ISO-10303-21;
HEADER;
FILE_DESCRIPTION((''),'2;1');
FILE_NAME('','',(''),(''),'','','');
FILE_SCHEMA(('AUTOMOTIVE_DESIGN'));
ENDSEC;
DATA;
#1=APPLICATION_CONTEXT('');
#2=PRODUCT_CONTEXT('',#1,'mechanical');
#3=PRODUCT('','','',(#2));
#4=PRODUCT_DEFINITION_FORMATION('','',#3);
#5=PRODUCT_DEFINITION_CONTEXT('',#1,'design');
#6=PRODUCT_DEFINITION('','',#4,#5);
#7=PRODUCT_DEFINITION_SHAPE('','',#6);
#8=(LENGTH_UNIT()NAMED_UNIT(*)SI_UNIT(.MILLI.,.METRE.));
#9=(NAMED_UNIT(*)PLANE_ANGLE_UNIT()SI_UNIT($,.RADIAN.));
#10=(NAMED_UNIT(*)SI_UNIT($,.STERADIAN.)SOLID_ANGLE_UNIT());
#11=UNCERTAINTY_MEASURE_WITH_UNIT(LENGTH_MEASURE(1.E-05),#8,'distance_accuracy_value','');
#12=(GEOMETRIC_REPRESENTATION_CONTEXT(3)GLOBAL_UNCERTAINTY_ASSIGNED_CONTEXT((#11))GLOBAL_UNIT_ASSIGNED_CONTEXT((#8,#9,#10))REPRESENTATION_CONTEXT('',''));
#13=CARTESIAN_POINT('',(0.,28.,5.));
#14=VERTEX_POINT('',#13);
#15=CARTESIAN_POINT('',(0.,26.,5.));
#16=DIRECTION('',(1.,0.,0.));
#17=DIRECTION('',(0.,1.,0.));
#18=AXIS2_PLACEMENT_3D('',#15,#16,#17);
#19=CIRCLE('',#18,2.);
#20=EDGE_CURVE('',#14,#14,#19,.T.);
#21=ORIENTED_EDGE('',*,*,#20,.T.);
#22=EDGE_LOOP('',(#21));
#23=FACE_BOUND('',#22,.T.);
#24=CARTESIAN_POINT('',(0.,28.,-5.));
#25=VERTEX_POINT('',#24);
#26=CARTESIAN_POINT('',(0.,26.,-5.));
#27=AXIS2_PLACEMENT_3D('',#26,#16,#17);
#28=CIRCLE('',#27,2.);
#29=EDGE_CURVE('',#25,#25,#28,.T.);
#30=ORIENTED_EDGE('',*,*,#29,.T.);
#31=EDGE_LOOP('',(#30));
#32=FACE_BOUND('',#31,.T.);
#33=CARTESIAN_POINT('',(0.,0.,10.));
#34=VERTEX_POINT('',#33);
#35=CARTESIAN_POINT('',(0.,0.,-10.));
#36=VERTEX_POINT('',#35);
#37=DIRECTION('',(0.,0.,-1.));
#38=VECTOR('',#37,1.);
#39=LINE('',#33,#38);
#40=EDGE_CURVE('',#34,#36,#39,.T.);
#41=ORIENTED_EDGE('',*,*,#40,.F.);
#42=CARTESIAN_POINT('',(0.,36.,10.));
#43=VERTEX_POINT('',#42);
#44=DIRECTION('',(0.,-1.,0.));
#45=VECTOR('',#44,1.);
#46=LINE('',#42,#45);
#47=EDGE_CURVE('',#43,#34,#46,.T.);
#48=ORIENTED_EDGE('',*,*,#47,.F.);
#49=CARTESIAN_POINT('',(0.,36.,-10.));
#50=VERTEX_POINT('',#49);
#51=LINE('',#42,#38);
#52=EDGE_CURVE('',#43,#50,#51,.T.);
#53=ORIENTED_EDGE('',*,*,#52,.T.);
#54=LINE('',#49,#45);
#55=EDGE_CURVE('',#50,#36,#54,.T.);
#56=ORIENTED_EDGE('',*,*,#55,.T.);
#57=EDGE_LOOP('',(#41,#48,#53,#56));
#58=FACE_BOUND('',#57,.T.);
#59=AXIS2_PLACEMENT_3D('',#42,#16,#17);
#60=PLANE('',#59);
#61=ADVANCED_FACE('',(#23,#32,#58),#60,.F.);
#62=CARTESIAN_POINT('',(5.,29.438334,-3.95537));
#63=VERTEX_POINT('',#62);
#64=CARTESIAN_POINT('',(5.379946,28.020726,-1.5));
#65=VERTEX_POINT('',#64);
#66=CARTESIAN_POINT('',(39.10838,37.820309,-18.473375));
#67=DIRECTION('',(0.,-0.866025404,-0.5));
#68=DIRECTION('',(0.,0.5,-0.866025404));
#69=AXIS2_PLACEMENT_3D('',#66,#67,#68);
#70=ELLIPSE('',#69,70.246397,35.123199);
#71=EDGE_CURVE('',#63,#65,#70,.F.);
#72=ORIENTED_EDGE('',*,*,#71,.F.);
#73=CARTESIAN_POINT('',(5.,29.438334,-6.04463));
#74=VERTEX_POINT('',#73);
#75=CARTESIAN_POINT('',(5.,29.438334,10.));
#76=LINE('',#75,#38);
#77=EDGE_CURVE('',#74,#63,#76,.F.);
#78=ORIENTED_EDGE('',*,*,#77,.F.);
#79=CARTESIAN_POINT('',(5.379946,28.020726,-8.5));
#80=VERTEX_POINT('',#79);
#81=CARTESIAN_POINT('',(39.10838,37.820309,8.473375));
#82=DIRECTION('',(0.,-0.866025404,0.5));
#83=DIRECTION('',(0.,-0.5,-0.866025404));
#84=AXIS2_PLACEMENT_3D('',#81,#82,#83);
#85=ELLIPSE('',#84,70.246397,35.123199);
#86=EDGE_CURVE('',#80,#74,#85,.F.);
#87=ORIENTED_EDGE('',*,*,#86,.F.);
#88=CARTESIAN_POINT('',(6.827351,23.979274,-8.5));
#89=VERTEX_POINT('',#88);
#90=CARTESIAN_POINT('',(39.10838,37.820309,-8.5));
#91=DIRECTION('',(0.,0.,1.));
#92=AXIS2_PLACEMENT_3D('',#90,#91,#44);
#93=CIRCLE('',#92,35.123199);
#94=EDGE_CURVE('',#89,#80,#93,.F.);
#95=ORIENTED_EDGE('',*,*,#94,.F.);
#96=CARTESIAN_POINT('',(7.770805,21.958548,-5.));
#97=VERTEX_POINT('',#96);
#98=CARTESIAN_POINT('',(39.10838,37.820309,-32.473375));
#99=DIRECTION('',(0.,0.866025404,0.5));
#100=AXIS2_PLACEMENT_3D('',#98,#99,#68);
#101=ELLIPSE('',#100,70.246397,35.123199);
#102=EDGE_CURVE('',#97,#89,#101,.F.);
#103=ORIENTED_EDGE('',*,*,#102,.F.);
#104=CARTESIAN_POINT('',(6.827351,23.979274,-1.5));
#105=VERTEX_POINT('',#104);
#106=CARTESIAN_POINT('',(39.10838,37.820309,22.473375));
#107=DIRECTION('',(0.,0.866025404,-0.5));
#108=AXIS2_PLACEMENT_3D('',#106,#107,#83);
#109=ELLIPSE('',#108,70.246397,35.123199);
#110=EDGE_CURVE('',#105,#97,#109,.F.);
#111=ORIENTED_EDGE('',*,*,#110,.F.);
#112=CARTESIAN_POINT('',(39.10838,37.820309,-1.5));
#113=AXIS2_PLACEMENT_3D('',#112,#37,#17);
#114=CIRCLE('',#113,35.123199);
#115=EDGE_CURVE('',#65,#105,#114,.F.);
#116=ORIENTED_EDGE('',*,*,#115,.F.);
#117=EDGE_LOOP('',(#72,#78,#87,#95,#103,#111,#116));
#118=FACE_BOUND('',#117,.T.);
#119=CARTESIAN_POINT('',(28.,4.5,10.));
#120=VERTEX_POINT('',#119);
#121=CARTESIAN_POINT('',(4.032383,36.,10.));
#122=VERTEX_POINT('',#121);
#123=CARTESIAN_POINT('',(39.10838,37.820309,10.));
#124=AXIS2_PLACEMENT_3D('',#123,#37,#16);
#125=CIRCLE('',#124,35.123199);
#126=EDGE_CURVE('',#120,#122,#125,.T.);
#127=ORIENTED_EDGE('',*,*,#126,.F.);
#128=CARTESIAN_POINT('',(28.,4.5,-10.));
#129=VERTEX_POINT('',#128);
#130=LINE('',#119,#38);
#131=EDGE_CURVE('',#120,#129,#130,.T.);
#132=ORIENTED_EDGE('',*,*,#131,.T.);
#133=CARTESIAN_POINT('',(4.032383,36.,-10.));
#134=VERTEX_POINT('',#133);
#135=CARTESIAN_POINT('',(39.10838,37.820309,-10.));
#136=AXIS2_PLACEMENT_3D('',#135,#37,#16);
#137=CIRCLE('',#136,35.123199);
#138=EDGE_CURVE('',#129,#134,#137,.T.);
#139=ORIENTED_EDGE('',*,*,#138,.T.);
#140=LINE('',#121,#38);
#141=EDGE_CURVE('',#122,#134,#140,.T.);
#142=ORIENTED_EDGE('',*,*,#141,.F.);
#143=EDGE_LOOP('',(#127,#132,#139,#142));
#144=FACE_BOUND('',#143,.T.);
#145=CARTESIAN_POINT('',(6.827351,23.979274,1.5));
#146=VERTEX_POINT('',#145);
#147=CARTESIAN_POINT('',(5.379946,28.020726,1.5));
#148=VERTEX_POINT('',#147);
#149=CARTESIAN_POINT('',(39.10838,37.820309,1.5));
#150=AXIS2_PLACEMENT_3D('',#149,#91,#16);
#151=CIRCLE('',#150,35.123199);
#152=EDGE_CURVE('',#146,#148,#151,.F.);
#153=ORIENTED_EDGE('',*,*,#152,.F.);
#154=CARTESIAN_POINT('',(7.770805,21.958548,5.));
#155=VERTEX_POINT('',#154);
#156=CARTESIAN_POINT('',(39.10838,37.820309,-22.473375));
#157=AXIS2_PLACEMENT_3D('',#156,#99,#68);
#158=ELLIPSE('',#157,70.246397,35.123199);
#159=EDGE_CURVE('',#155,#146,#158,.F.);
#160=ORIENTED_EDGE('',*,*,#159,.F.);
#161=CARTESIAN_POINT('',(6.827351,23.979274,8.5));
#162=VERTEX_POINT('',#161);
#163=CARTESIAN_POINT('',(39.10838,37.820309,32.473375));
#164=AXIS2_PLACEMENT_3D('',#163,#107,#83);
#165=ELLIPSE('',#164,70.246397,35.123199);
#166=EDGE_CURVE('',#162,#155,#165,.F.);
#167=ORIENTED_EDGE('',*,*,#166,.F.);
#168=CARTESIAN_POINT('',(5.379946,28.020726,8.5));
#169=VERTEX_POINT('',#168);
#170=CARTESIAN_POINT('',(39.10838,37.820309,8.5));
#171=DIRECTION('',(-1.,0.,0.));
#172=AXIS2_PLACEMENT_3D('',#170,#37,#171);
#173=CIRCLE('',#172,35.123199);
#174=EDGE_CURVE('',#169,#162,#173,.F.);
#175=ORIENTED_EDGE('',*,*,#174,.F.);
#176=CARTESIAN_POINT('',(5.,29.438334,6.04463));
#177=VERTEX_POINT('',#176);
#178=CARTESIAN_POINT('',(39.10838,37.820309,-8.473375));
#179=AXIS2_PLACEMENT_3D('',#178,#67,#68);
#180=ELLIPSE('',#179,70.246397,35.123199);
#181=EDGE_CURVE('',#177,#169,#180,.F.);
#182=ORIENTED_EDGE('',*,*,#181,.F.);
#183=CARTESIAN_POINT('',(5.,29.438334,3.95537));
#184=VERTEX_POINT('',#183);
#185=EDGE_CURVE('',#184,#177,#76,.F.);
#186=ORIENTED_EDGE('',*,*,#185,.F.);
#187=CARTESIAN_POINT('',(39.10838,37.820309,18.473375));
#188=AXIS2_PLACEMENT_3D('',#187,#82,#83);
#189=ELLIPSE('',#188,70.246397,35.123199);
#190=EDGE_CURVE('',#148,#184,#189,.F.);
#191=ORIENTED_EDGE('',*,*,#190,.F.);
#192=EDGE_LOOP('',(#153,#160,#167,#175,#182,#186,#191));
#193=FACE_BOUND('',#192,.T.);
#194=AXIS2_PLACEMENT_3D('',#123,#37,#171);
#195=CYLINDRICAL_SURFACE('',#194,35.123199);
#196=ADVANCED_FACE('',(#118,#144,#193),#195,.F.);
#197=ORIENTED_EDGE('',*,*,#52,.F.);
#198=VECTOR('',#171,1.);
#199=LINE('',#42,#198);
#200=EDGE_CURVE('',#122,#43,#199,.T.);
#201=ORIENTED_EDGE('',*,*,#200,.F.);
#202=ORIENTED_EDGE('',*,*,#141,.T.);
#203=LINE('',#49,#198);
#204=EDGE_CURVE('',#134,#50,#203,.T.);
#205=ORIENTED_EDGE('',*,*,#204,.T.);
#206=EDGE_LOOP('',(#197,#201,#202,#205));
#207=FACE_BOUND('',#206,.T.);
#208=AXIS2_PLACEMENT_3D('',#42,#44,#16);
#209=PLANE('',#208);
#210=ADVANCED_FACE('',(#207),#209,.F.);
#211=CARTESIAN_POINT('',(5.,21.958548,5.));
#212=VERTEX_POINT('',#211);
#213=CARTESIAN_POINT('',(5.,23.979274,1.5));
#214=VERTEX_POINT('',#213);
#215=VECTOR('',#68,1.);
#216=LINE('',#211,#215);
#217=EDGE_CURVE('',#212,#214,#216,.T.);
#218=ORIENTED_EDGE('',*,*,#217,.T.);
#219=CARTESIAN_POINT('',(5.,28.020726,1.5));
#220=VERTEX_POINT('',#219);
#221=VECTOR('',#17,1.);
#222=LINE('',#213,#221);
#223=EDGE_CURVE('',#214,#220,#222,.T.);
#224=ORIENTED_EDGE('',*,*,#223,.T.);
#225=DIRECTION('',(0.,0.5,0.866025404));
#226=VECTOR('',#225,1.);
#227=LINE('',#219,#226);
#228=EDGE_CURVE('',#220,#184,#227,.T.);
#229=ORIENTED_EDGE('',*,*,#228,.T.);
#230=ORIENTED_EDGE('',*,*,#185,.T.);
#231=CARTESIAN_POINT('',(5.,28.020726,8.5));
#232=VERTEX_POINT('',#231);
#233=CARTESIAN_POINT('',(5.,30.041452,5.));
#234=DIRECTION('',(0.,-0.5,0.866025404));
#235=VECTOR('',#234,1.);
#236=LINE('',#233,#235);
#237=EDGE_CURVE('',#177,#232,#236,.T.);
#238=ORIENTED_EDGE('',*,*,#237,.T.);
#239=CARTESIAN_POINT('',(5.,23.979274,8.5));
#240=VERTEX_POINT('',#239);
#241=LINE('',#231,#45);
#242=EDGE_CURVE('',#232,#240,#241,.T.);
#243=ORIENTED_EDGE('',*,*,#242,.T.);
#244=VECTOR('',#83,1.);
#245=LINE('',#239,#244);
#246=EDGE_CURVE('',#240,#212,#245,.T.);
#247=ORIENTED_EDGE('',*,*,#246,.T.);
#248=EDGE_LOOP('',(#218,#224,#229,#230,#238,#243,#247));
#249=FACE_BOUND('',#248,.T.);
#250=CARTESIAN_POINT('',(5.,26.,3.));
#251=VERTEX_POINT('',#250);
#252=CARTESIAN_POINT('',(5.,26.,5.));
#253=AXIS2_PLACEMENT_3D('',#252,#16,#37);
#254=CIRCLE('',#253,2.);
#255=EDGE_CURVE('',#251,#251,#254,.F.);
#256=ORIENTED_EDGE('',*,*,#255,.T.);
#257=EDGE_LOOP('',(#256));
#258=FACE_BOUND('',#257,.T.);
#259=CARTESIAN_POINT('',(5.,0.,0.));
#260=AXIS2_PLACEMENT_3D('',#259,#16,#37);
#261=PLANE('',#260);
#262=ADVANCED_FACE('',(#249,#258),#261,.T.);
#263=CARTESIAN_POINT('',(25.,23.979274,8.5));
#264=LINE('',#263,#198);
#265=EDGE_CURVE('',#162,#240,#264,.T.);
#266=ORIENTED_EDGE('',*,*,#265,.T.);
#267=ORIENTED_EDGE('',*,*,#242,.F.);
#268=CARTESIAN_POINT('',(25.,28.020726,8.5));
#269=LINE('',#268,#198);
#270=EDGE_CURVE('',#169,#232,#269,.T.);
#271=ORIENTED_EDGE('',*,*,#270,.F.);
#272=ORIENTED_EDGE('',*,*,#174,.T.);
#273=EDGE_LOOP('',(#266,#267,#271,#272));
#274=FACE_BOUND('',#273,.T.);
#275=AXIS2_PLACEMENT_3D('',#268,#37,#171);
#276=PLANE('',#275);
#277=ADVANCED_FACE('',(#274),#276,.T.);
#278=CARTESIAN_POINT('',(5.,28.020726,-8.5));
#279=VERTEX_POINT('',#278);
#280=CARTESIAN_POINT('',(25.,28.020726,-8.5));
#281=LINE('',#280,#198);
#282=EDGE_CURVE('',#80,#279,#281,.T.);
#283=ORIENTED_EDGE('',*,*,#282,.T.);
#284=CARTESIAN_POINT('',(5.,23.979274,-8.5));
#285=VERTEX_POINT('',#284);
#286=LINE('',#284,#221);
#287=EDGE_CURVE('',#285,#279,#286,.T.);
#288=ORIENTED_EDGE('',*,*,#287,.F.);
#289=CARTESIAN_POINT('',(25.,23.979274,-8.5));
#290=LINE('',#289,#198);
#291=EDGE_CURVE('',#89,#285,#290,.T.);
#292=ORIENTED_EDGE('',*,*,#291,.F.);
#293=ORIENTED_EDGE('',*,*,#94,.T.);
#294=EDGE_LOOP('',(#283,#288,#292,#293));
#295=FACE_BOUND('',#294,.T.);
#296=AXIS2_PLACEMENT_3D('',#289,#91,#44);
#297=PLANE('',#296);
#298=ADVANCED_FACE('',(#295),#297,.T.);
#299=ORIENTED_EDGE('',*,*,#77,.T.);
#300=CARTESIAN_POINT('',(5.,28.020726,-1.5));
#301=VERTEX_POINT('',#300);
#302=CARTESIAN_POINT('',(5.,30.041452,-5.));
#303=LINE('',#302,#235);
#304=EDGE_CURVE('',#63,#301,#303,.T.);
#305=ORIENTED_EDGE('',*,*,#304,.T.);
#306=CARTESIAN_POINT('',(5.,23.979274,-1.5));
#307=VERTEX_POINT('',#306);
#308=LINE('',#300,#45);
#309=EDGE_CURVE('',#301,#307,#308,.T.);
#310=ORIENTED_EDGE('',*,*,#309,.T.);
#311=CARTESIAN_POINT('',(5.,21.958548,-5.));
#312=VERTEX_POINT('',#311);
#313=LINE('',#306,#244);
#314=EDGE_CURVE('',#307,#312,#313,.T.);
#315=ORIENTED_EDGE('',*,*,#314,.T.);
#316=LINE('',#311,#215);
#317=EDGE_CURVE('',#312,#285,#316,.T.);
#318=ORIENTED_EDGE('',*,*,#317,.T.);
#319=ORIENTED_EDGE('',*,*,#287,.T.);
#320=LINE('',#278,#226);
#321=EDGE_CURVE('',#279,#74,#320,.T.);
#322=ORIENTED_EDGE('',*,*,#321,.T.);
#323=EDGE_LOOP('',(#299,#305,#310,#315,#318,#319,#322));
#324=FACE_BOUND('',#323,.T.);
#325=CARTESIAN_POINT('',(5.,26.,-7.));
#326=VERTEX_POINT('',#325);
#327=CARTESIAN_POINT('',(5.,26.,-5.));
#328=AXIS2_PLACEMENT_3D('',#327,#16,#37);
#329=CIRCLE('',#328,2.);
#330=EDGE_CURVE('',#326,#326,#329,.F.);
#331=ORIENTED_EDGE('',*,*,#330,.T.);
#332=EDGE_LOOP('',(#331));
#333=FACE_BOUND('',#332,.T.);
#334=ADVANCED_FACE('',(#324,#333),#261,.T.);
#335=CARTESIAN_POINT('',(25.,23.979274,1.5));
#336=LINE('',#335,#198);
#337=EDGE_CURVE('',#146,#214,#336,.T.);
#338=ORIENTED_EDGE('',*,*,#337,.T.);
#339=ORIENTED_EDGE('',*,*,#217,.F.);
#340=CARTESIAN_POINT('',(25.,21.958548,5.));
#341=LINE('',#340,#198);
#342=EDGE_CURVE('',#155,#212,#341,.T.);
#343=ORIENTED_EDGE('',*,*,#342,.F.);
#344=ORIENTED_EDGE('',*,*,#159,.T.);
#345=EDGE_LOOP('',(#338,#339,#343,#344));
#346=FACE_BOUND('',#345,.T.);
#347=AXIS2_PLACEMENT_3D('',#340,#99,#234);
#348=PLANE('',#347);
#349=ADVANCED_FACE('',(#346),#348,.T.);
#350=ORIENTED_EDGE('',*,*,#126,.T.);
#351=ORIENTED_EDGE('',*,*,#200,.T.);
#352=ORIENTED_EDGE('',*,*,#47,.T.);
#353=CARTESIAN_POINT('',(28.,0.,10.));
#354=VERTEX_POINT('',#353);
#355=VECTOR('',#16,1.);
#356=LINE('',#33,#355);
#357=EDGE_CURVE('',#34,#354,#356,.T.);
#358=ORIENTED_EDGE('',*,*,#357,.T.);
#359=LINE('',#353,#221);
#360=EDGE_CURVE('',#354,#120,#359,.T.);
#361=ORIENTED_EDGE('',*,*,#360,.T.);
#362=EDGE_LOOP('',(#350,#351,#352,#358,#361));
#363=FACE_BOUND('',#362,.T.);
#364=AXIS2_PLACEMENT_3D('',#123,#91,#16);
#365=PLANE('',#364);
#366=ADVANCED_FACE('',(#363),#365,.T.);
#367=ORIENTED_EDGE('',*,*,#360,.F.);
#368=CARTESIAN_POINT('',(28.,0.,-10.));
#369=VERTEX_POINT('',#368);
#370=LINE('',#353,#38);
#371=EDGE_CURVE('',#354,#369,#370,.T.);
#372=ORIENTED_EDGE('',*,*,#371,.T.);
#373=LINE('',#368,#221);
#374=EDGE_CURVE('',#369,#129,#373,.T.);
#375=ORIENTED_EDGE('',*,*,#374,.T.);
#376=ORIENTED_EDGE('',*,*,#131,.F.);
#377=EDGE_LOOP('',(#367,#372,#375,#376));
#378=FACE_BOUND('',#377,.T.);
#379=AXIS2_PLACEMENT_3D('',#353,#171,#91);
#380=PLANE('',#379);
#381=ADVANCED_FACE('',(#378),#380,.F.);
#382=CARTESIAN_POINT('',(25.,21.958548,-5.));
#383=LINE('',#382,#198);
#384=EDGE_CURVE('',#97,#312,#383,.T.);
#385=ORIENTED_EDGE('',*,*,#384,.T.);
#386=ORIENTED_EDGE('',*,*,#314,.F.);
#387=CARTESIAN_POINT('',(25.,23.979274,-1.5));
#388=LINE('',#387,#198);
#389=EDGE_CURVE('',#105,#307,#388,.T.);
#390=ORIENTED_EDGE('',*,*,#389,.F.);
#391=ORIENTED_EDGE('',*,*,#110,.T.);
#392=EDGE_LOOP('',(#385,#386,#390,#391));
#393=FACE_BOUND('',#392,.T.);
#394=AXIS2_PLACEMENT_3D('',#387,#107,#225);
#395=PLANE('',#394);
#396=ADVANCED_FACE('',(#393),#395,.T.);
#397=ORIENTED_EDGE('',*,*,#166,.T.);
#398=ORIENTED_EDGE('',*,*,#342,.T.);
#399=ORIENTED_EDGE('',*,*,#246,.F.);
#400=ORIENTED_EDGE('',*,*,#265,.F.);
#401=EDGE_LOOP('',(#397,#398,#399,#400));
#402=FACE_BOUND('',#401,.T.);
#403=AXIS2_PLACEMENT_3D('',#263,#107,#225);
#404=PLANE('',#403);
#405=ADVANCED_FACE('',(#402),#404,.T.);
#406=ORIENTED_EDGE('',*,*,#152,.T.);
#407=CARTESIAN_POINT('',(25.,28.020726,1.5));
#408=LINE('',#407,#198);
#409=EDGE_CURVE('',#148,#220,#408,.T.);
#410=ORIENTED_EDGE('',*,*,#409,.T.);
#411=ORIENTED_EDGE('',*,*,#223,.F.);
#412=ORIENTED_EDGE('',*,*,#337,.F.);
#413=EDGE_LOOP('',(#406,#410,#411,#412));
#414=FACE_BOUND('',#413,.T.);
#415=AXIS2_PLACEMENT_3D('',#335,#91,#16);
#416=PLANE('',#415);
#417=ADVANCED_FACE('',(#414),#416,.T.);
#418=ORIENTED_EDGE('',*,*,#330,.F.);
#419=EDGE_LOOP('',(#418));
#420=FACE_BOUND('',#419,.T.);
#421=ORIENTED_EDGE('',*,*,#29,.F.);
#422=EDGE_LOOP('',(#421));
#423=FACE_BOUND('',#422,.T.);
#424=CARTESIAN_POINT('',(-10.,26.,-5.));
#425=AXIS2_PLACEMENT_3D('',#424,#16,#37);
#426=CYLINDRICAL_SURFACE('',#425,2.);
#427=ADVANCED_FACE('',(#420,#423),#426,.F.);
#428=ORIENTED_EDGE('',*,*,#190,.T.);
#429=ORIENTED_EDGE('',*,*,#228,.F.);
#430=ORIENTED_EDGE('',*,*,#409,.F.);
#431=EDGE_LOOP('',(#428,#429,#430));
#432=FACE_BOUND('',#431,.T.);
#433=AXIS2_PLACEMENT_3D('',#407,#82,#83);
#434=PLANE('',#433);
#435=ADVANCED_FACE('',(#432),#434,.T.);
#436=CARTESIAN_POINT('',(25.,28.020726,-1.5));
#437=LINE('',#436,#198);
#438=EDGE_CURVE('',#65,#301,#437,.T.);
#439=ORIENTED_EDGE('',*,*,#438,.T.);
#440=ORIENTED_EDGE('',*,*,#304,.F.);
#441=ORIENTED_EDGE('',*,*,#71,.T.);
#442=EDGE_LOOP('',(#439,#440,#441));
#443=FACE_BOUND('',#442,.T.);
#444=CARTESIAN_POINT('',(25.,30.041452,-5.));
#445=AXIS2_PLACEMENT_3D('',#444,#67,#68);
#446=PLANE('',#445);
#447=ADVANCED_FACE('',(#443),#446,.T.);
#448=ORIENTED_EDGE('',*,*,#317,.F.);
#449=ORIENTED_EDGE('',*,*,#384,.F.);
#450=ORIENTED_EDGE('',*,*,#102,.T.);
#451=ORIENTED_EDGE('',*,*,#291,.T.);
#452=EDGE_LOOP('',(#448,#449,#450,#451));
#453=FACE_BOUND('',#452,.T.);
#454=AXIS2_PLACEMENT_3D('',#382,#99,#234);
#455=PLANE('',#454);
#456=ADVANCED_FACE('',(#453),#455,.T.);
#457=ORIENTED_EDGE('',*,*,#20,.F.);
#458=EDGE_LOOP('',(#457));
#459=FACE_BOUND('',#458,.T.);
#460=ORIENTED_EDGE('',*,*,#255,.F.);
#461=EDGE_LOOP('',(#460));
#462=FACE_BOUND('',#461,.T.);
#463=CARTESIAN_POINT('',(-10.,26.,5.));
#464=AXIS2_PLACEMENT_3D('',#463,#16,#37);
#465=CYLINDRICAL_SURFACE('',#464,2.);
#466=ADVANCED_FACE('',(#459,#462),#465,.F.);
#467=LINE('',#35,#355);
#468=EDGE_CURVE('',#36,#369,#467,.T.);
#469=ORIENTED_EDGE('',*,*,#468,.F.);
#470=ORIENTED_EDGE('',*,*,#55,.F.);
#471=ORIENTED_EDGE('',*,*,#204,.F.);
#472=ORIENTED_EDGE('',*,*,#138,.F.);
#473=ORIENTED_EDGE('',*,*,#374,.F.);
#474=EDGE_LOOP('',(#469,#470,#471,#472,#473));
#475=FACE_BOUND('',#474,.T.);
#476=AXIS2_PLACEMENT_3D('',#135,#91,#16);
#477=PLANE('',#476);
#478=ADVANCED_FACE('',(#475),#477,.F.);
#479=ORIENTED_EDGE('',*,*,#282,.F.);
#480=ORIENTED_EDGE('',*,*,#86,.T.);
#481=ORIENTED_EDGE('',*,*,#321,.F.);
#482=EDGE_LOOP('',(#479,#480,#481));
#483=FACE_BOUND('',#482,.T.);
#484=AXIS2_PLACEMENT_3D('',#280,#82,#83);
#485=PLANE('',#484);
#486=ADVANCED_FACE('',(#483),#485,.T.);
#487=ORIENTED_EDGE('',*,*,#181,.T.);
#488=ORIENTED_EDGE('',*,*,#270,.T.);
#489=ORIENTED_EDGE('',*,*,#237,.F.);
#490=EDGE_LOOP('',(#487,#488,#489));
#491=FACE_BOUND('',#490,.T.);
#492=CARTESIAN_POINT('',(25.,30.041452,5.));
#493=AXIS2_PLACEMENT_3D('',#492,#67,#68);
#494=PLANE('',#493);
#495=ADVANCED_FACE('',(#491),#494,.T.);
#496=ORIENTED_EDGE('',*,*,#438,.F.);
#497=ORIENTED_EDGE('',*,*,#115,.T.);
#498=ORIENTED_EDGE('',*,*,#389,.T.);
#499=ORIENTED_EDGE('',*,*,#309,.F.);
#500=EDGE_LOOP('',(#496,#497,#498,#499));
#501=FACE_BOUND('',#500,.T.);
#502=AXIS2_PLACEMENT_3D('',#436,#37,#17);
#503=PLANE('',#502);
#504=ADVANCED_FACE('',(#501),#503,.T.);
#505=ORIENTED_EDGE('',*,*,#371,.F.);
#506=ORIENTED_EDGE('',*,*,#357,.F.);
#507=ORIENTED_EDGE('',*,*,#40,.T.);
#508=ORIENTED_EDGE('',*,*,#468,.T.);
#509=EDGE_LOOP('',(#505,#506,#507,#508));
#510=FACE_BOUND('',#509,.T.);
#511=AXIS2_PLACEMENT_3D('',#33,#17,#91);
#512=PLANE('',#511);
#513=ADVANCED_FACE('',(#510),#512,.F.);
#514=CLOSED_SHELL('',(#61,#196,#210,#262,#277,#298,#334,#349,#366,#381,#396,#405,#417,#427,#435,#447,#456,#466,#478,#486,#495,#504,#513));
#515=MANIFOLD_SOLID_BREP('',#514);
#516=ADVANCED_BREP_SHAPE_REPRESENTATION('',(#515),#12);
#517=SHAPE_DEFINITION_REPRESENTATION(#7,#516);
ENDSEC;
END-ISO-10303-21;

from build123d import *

# Parameters (mm, degrees)
EXTRUDE_1_DEPTH     = 10
SKETCH_2_R          = 2
CUT_EXTRUDE_2_DEPTH = 10
CUT_EXTRUDE_3_DEPTH = 20


with BuildPart() as part:
    # 草图1 → 凸台-拉伸1 (new, symmetric)
    with BuildSketch(Plane.XY):
        with BuildLine():
            Line((0, 36), (0, 0))
            Line((0, 0), (28, 0))
            Line((28, 0), (28, 4.5))
            ThreePointArc((28, 4.5), (11.156427167, 16.552318383), (4.032383098, 36))
            Line((4.032383098, 36), (0, 36))
        make_face()
    extrude(amount=EXTRUDE_1_DEPTH, both=True)

    # 草图2 → 切除-拉伸2 (cut, symmetric)
    with BuildSketch(Plane(origin=(0, 0, 0), x_dir=(0, 0, -1), z_dir=(1, 0, 0))):
        with Locations((-5, 26)):
            Circle(SKETCH_2_R)
        with Locations((5, 26)):
            Circle(SKETCH_2_R)
    extrude(amount=CUT_EXTRUDE_2_DEPTH, both=True, mode=Mode.SUBTRACT)

    # 草图3 → 切除-拉伸3 (cut)
    with BuildSketch(Plane(origin=(5, 0, 0), x_dir=(0, 0, -1), z_dir=(1, 0, 0))):
        Polygon((-5, 30.041451884), (-8.5, 28.020725942), (-8.5, 23.979274058), (-5, 21.958548116), (-1.5, 23.979274058), (-1.5, 28.020725942), align=None)
        Polygon((5, 30.041451884), (1.5, 28.020725942), (1.5, 23.979274058), (5, 21.958548116), (8.5, 23.979274058), (8.5, 28.020725942), align=None)
    extrude(amount=CUT_EXTRUDE_3_DEPTH, mode=Mode.SUBTRACT)


solid = part.part
